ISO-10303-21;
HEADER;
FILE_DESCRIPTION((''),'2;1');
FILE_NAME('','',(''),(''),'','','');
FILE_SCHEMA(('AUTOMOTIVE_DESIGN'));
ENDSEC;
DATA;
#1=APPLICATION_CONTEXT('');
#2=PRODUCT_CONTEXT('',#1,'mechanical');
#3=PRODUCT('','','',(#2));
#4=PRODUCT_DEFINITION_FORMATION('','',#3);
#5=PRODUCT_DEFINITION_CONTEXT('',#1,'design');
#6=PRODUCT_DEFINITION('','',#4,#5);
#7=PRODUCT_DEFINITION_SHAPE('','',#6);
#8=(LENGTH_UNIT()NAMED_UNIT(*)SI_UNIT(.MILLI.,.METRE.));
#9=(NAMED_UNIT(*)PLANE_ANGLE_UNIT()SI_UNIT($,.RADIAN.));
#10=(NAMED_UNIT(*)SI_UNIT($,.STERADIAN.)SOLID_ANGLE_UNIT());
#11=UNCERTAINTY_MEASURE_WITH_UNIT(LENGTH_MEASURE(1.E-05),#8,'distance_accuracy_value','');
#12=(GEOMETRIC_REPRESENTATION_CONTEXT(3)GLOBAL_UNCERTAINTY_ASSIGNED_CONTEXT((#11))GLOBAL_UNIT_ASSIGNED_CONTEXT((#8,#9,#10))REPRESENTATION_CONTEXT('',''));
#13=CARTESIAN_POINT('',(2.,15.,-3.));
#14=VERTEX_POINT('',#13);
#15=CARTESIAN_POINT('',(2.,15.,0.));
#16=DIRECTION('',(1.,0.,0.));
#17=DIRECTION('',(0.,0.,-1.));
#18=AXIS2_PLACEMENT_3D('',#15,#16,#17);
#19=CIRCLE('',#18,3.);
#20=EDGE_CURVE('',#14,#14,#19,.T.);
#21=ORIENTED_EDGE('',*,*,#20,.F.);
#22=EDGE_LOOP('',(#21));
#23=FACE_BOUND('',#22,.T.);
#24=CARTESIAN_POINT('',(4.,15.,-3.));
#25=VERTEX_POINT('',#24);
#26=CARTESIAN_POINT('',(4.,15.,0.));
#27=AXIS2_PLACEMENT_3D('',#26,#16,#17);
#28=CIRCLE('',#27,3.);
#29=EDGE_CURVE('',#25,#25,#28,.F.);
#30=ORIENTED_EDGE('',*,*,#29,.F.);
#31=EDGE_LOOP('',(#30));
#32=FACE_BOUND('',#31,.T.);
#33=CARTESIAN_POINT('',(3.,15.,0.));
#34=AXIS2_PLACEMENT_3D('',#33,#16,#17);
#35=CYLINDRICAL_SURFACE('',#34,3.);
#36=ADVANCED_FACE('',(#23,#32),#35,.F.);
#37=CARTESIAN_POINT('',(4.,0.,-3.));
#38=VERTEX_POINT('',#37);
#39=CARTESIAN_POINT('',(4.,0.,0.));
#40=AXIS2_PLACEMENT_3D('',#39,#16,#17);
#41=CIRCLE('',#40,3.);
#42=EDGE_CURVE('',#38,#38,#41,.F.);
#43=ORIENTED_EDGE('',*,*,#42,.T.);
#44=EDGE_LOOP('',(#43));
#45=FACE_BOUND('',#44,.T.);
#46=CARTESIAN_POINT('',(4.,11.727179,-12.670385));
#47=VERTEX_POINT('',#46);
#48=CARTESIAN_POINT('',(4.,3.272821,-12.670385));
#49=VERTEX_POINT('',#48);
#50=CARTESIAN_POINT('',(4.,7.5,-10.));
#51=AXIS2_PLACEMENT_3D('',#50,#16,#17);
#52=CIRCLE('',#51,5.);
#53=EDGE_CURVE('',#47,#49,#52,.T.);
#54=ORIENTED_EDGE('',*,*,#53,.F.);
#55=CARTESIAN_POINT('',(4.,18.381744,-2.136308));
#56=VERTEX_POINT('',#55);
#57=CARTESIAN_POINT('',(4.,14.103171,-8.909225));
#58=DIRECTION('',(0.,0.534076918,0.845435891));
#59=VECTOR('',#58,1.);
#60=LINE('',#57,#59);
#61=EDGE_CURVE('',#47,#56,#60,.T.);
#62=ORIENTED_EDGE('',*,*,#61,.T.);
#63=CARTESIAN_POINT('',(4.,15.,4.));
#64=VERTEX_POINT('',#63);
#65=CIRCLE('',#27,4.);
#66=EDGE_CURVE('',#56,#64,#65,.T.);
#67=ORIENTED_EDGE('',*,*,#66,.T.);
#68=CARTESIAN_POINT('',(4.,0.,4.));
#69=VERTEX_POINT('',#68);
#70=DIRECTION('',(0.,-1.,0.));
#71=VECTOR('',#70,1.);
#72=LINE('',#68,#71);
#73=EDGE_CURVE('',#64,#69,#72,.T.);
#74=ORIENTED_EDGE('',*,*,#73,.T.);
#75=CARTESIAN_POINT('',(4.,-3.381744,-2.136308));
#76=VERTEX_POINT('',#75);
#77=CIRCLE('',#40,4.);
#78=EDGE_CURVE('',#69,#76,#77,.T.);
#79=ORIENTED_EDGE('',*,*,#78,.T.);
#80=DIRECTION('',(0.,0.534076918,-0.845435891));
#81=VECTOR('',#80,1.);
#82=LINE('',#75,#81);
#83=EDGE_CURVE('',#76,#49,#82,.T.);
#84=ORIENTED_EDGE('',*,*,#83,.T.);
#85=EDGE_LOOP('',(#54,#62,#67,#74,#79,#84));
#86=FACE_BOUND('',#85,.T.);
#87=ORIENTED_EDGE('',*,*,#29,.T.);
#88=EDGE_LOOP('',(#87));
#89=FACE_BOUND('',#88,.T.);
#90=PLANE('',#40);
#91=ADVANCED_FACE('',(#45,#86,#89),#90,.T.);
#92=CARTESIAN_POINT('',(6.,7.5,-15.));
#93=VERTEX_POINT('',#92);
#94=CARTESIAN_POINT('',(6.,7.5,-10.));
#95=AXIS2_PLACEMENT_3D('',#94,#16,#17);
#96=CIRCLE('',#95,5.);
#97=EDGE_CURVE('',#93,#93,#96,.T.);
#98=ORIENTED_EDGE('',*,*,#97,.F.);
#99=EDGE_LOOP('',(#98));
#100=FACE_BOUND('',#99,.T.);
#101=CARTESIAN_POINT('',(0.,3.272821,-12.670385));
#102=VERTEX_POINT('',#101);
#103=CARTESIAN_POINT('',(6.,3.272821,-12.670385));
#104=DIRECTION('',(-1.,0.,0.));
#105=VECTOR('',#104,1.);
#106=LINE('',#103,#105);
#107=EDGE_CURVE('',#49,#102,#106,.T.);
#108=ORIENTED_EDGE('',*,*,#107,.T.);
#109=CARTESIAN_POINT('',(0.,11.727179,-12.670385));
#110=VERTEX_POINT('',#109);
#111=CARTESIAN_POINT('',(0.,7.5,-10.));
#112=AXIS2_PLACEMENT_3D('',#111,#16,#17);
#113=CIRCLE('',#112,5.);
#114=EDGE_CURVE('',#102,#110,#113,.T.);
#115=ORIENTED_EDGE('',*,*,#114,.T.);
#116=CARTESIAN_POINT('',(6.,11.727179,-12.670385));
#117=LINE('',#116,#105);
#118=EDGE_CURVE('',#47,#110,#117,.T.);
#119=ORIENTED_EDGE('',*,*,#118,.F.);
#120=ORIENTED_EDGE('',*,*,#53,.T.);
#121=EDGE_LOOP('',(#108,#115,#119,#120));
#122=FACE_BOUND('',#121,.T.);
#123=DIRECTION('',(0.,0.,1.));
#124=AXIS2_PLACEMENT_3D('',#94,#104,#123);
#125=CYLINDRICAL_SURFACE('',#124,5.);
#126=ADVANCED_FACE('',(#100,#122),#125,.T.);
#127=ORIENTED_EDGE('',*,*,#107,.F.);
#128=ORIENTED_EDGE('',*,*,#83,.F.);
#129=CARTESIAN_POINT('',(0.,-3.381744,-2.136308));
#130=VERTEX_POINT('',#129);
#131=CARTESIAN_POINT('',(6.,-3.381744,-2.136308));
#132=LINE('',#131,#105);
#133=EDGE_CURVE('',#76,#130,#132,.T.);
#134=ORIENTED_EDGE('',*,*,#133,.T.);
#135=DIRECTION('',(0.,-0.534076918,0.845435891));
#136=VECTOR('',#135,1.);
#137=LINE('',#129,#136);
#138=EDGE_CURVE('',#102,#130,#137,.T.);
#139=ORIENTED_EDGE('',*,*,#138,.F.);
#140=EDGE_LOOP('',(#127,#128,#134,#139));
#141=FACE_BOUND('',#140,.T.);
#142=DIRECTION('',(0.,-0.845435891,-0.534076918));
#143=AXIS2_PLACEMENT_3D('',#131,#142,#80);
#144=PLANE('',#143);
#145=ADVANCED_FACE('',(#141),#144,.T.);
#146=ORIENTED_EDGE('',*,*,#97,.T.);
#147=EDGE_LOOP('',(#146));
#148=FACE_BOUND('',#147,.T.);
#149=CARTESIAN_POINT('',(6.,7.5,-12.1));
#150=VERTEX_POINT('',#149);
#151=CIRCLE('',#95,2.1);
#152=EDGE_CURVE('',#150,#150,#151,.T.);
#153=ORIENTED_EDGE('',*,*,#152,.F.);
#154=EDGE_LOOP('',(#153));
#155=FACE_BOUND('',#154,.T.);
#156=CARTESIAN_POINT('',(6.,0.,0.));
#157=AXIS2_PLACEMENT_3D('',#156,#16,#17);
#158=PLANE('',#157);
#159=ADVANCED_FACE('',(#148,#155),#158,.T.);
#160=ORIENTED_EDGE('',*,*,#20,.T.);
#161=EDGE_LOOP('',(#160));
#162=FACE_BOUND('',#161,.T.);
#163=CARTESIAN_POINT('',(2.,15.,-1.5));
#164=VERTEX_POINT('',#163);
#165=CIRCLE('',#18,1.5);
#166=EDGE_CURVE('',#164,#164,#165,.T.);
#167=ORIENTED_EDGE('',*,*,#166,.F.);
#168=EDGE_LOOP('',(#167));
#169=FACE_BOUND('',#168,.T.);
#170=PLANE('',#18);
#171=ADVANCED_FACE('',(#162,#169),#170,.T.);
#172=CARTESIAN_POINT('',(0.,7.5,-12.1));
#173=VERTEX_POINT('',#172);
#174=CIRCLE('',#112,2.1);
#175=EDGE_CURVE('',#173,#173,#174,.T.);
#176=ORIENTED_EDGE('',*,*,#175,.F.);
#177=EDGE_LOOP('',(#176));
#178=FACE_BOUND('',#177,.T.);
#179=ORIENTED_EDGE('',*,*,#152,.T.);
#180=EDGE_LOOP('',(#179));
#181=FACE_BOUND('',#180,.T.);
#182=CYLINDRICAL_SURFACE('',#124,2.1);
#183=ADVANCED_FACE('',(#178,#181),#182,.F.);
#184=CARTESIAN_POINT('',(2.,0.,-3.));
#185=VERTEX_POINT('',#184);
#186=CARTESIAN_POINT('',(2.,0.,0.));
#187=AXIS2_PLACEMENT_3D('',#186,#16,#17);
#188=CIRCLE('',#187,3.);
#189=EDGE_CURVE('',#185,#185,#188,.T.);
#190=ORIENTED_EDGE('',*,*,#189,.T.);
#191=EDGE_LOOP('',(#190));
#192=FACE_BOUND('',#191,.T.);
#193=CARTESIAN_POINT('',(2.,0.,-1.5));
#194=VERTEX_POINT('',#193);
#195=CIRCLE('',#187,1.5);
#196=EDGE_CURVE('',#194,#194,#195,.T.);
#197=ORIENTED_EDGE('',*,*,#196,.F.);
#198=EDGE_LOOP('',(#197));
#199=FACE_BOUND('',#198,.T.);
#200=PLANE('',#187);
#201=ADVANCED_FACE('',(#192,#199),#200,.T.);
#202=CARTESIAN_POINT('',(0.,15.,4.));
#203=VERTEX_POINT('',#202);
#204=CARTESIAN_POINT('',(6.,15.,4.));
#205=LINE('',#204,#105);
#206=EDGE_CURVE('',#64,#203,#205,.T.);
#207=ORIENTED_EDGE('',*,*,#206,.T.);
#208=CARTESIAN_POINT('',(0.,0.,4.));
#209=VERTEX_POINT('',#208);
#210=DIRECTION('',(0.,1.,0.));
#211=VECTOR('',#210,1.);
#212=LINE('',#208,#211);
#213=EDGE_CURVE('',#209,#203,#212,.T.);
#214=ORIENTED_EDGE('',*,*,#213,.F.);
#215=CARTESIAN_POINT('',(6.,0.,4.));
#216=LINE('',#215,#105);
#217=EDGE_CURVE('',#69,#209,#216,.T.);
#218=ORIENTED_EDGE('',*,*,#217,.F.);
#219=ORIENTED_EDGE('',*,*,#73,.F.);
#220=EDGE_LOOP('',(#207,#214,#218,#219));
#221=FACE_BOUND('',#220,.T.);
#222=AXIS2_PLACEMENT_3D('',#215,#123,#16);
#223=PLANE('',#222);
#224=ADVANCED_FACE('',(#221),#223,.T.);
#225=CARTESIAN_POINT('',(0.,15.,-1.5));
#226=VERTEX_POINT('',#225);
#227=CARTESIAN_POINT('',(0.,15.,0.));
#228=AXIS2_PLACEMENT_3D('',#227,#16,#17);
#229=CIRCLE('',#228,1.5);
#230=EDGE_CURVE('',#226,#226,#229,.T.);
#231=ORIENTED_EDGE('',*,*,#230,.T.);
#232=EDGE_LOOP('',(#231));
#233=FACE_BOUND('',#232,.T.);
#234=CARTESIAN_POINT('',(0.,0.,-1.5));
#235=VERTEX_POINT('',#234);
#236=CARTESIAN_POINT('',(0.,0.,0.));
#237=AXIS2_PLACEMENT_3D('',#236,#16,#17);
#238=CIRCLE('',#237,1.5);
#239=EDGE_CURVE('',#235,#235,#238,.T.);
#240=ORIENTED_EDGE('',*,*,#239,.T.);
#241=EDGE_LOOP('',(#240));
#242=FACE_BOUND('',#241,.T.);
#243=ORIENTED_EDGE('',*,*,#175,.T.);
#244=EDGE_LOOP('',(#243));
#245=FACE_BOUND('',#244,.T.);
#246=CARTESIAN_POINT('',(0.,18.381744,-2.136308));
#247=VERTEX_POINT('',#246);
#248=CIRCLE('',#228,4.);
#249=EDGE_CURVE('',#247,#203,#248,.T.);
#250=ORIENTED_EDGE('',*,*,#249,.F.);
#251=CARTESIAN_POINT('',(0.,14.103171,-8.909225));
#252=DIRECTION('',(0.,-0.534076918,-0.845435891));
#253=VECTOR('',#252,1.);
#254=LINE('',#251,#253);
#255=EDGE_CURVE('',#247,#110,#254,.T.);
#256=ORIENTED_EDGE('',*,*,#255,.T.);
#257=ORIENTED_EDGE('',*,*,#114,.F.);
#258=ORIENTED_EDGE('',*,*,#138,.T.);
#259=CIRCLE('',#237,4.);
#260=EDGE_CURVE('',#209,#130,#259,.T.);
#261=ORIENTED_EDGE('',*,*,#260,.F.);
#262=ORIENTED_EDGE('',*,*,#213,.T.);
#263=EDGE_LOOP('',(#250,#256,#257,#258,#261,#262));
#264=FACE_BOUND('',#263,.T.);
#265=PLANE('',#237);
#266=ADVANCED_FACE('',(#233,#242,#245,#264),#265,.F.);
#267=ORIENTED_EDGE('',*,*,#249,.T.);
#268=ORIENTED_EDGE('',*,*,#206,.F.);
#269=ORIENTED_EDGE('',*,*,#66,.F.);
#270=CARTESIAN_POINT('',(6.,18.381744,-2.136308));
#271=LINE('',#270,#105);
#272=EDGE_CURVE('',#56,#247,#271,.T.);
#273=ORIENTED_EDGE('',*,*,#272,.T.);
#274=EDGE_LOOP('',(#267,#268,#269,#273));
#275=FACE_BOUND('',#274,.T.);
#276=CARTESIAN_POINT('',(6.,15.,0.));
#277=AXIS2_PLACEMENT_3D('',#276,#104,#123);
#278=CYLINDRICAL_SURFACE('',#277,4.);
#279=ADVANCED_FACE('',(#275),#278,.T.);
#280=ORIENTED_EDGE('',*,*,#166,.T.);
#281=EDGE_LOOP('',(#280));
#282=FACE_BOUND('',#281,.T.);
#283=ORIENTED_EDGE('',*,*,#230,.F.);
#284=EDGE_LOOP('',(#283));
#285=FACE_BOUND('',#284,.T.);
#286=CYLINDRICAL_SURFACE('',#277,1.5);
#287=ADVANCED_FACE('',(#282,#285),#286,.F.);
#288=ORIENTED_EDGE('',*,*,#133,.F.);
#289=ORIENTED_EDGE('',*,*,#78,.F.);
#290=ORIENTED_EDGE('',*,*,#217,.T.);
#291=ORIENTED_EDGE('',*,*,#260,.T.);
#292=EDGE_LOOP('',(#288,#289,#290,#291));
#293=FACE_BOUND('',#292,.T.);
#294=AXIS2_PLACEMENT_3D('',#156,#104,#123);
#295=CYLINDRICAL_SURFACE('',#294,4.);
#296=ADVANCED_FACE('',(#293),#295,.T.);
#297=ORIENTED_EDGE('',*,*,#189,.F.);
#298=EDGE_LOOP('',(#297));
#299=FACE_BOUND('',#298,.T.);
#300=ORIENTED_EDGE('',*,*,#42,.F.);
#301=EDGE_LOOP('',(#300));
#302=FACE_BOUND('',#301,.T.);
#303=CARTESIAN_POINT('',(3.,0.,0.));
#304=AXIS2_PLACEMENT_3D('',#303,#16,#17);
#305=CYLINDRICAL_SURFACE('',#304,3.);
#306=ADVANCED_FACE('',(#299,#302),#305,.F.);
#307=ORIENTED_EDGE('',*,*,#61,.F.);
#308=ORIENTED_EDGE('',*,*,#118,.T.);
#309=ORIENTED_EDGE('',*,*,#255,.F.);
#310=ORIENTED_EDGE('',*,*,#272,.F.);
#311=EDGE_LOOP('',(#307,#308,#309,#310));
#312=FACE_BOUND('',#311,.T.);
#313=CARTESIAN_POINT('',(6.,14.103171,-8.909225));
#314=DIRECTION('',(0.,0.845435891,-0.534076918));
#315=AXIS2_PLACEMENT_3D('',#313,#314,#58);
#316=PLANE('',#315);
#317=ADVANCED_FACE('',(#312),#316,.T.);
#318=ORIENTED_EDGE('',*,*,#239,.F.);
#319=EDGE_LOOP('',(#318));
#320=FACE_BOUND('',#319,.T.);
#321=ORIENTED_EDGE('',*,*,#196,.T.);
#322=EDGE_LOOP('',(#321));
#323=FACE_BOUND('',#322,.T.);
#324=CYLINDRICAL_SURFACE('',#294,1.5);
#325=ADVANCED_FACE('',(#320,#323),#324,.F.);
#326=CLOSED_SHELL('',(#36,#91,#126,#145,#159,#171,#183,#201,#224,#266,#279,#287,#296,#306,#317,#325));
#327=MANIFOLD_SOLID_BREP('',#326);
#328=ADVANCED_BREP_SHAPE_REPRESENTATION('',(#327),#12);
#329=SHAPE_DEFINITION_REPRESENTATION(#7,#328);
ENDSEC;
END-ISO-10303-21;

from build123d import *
from build123d.topology import SkipClean

# Parameters (mm, degrees)
SKETCH_1_R          = 1.5
SKETCH_1_R_2        = 2.1
EXTRUDE_1_DEPTH     = 6
SKETCH_2_R          = 3
CUT_EXTRUDE_1_DEPTH = 3
SKETCH_3_R          = 3
CUT_EXTRUDE_2_DEPTH = 1
CUT_EXTRUDE_START   = -2
SKETCH_4_R          = 3
CUT_EXTRUDE_3_DEPTH = 2


with BuildPart() as part:
    # 草图1 → 凸台-拉伸1 (new body)
    with BuildSketch(Plane(origin=(0, 0, 0), x_dir=(0, 0, -1), z_dir=(1, 0, 0))):
        with BuildLine():
            Line((-4, 15), (-4, 0))
            ThreePointArc((-4, 0), (-1.930643586, -3.503229274), (2.136307673, -3.381743563))
            Line((2.136307673, -3.381743563), (12.670384591, 3.272820546))
            ThreePointArc((12.670384591, 3.272820546), (15, 7.5), (12.670384591, 11.727179454))
            Line((12.670384591, 11.727179454), (2.136307673, 18.381743563))
            ThreePointArc((2.136307673, 18.381743563), (-1.930643586, 18.503229274), (-4, 15))
        make_face()
        Circle(SKETCH_1_R, mode=Mode.SUBTRACT)
        with Locations((0, 15)):
            Circle(SKETCH_1_R, mode=Mode.SUBTRACT)
        with Locations((10, 7.5)):
            Circle(SKETCH_1_R_2, mode=Mode.SUBTRACT)
    extrude(amount=EXTRUDE_1_DEPTH)

    # 草图2 → 切除-拉伸1 (cut)
    with BuildSketch(Plane(origin=(6, 0, 0), x_dir=(0, 0, -1), z_dir=(1, 0, 0))):
        with Locations((0, 15)):
            Circle(SKETCH_2_R)
        Circle(SKETCH_2_R)
    extrude(amount=-CUT_EXTRUDE_1_DEPTH, mode=Mode.SUBTRACT)

    # 草图3 → 切除-拉伸2 (cut)
    with BuildSketch(Plane(origin=(3, 0, 0), x_dir=(0, 0, -1), z_dir=(1, 0, 0))):
        Circle(SKETCH_3_R)
        with Locations((0, 15)):
            Circle(SKETCH_3_R)
    extrude(amount=-CUT_EXTRUDE_2_DEPTH, mode=Mode.SUBTRACT)

    # 草图4 → 切除-拉伸3 (cut)
    with SkipClean():  # the faces are left unmerged after this step: merging them gives an invalid solid
        with BuildSketch(Plane(origin=(6, 0, 0), x_dir=(0, 0, -1), z_dir=(1, 0, 0)).offset(CUT_EXTRUDE_START)):
            with BuildLine():
                ThreePointArc((12.670384591, 3.272820546), (5, 7.5), (12.670384591, 11.727179454))
                Line((12.670384591, 11.727179454), (2.136307673, 18.381743563))
                ThreePointArc((2.136307673, 18.381743563), (-1.930643586, 18.503229274), (-4, 15))
                Line((-4, 15), (-4, 0))
                ThreePointArc((-4, 0), (-1.930643586, -3.503229274), (2.136307673, -3.381743563))
                Line((2.136307673, -3.381743563), (12.670384591, 3.272820546))
            make_face()
            Circle(SKETCH_4_R, mode=Mode.SUBTRACT)
            with Locations((0, 15)):
                Circle(SKETCH_4_R, mode=Mode.SUBTRACT)
        extrude(amount=CUT_EXTRUDE_3_DEPTH, mode=Mode.SUBTRACT)


solid = part.part
